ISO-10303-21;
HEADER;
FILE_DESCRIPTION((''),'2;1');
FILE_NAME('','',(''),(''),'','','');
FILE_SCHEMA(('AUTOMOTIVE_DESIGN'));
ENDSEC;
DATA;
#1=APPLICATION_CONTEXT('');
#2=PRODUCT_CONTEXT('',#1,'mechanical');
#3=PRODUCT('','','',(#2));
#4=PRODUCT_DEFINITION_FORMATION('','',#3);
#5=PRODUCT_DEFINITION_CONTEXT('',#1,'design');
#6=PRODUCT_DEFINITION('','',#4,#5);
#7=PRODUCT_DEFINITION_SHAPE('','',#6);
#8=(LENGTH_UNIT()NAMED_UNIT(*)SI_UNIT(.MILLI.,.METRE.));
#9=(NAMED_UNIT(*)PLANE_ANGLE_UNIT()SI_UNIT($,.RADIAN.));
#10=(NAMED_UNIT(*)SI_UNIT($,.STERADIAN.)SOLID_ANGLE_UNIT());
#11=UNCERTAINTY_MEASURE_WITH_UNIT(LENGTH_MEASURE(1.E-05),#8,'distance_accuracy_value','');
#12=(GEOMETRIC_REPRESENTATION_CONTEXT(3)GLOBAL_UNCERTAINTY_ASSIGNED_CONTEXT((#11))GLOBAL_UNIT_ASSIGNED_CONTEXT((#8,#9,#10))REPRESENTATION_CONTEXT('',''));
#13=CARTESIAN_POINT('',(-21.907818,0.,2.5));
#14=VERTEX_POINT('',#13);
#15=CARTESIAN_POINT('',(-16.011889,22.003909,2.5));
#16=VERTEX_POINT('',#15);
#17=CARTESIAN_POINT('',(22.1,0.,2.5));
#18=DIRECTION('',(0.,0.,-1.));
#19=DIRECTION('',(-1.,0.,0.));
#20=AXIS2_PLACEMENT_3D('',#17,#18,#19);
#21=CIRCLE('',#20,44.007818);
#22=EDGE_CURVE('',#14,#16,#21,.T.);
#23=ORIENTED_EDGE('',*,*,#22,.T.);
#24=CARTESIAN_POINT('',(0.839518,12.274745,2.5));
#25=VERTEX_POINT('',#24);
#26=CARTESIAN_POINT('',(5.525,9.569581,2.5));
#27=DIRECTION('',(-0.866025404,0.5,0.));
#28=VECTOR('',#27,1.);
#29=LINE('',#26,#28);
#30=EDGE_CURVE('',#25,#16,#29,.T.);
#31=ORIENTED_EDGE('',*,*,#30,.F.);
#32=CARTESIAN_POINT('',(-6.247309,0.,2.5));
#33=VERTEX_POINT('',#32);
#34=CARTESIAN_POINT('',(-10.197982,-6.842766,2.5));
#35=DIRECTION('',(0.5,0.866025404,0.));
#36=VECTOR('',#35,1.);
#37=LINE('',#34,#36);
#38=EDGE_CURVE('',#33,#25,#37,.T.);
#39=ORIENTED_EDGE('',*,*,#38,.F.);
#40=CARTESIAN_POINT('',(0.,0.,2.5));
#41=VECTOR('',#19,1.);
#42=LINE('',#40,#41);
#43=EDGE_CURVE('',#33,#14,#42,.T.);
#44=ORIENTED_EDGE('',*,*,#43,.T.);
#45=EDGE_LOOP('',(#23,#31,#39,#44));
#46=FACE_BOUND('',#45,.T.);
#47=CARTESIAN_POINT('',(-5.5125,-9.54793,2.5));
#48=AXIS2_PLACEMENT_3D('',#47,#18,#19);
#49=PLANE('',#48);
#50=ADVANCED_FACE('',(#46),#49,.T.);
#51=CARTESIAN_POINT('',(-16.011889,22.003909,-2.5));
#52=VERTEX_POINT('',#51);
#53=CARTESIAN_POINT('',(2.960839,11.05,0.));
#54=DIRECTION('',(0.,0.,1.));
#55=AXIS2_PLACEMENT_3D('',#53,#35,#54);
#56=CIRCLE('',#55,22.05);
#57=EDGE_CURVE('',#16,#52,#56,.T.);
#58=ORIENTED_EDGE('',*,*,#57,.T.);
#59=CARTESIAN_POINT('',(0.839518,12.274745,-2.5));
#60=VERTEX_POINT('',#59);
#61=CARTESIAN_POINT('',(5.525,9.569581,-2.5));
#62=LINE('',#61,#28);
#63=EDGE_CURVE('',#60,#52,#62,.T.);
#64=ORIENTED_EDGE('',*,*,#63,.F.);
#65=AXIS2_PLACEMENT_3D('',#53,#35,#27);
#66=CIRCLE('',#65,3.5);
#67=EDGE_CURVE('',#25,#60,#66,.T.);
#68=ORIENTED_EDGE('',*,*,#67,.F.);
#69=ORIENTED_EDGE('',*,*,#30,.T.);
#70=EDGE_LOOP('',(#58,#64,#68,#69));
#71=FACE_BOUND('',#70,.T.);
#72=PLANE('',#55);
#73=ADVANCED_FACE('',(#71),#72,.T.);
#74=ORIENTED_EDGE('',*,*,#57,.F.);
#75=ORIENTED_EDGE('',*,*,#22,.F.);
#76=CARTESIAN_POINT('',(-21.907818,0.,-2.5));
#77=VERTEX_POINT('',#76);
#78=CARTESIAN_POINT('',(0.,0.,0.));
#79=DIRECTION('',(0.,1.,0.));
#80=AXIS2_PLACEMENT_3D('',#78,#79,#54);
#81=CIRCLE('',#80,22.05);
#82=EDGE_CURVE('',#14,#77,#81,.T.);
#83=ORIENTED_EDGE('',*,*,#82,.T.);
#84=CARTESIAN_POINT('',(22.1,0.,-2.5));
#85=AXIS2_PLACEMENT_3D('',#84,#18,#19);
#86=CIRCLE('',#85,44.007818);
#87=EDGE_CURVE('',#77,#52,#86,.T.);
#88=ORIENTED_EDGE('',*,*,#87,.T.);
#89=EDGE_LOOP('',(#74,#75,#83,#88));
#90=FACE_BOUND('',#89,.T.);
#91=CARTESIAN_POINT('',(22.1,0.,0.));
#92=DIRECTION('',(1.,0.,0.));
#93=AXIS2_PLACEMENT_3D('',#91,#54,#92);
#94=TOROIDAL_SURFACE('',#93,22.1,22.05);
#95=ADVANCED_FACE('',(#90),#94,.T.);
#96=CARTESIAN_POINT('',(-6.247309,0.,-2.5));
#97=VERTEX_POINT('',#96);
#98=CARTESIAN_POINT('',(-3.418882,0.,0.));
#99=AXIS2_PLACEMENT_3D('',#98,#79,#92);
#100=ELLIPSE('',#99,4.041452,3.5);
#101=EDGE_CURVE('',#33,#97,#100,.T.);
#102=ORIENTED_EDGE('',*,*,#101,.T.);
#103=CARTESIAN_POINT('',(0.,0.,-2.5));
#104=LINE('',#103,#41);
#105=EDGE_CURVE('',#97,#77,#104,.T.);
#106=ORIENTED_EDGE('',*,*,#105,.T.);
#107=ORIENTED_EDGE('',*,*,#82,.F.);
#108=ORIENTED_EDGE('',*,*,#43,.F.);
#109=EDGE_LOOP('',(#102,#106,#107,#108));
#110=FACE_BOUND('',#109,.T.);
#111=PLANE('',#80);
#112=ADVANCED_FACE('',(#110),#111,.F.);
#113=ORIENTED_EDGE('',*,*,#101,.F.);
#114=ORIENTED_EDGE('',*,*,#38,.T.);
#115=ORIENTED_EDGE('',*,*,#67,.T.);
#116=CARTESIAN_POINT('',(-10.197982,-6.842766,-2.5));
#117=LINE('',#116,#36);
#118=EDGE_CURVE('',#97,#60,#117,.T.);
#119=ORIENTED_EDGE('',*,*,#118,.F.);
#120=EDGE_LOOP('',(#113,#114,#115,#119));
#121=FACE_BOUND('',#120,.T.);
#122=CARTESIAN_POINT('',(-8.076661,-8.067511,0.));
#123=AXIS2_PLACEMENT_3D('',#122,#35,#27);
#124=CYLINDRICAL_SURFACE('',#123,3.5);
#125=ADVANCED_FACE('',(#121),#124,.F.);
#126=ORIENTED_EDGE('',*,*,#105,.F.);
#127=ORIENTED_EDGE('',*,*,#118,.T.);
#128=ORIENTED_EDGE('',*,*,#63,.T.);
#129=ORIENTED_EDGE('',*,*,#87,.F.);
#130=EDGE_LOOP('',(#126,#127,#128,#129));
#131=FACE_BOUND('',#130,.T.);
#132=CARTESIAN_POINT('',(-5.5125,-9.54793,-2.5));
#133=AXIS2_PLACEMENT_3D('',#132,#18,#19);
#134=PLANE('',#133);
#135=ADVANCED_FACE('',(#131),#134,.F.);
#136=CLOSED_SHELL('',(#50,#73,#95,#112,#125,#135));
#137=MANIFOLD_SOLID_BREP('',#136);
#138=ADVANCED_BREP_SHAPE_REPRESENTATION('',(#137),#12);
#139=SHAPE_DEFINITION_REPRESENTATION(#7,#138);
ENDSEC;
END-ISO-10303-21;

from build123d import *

# Parameters (mm, degrees)
SKETCH_1_R               = 22.05
REVOLVE_8_ANGLE          = 30
SKETCH_3_R               = 3.5
SKETCH_3_W               = 30
SKETCH_3_H               = 5
CUT_EXTRUDE_1_DEPTH      = 20.095860153
CUT_EXTRUDE_1_DEPTH_BACK = 23.07500005


with BuildPart() as part:
    # 스케치1 → 회전8 (revolve)
    with BuildSketch(Plane(origin=(0, 0, 0), x_dir=(1, 0, 0), z_dir=(0, 1, 0))):
        Circle(SKETCH_1_R)
    revolve(axis=Axis((22.1, 0, -22.238779178), (0, 0, -1)), revolution_arc=REVOLVE_8_ANGLE)

    # 스케치3 → 컷-돌출1 (cut, two sides)
    with BuildSketch(Plane(origin=(5.525, 9.569580712, 0), x_dir=(0.866025404, -0.5, 0), z_dir=(0.5, 0.866025404, 0))) as cut_extrude_1_sk:
        with Locations((-2.960838576, 0)):
            Circle(SKETCH_3_R)
        with Locations((-17.960838576, 0)):
            Rectangle(SKETCH_3_W, SKETCH_3_H)
    extrude(amount=CUT_EXTRUDE_1_DEPTH, mode=Mode.SUBTRACT)
    extrude(cut_extrude_1_sk.sketch, amount=-CUT_EXTRUDE_1_DEPTH_BACK, mode=Mode.SUBTRACT)


solid = part.part
